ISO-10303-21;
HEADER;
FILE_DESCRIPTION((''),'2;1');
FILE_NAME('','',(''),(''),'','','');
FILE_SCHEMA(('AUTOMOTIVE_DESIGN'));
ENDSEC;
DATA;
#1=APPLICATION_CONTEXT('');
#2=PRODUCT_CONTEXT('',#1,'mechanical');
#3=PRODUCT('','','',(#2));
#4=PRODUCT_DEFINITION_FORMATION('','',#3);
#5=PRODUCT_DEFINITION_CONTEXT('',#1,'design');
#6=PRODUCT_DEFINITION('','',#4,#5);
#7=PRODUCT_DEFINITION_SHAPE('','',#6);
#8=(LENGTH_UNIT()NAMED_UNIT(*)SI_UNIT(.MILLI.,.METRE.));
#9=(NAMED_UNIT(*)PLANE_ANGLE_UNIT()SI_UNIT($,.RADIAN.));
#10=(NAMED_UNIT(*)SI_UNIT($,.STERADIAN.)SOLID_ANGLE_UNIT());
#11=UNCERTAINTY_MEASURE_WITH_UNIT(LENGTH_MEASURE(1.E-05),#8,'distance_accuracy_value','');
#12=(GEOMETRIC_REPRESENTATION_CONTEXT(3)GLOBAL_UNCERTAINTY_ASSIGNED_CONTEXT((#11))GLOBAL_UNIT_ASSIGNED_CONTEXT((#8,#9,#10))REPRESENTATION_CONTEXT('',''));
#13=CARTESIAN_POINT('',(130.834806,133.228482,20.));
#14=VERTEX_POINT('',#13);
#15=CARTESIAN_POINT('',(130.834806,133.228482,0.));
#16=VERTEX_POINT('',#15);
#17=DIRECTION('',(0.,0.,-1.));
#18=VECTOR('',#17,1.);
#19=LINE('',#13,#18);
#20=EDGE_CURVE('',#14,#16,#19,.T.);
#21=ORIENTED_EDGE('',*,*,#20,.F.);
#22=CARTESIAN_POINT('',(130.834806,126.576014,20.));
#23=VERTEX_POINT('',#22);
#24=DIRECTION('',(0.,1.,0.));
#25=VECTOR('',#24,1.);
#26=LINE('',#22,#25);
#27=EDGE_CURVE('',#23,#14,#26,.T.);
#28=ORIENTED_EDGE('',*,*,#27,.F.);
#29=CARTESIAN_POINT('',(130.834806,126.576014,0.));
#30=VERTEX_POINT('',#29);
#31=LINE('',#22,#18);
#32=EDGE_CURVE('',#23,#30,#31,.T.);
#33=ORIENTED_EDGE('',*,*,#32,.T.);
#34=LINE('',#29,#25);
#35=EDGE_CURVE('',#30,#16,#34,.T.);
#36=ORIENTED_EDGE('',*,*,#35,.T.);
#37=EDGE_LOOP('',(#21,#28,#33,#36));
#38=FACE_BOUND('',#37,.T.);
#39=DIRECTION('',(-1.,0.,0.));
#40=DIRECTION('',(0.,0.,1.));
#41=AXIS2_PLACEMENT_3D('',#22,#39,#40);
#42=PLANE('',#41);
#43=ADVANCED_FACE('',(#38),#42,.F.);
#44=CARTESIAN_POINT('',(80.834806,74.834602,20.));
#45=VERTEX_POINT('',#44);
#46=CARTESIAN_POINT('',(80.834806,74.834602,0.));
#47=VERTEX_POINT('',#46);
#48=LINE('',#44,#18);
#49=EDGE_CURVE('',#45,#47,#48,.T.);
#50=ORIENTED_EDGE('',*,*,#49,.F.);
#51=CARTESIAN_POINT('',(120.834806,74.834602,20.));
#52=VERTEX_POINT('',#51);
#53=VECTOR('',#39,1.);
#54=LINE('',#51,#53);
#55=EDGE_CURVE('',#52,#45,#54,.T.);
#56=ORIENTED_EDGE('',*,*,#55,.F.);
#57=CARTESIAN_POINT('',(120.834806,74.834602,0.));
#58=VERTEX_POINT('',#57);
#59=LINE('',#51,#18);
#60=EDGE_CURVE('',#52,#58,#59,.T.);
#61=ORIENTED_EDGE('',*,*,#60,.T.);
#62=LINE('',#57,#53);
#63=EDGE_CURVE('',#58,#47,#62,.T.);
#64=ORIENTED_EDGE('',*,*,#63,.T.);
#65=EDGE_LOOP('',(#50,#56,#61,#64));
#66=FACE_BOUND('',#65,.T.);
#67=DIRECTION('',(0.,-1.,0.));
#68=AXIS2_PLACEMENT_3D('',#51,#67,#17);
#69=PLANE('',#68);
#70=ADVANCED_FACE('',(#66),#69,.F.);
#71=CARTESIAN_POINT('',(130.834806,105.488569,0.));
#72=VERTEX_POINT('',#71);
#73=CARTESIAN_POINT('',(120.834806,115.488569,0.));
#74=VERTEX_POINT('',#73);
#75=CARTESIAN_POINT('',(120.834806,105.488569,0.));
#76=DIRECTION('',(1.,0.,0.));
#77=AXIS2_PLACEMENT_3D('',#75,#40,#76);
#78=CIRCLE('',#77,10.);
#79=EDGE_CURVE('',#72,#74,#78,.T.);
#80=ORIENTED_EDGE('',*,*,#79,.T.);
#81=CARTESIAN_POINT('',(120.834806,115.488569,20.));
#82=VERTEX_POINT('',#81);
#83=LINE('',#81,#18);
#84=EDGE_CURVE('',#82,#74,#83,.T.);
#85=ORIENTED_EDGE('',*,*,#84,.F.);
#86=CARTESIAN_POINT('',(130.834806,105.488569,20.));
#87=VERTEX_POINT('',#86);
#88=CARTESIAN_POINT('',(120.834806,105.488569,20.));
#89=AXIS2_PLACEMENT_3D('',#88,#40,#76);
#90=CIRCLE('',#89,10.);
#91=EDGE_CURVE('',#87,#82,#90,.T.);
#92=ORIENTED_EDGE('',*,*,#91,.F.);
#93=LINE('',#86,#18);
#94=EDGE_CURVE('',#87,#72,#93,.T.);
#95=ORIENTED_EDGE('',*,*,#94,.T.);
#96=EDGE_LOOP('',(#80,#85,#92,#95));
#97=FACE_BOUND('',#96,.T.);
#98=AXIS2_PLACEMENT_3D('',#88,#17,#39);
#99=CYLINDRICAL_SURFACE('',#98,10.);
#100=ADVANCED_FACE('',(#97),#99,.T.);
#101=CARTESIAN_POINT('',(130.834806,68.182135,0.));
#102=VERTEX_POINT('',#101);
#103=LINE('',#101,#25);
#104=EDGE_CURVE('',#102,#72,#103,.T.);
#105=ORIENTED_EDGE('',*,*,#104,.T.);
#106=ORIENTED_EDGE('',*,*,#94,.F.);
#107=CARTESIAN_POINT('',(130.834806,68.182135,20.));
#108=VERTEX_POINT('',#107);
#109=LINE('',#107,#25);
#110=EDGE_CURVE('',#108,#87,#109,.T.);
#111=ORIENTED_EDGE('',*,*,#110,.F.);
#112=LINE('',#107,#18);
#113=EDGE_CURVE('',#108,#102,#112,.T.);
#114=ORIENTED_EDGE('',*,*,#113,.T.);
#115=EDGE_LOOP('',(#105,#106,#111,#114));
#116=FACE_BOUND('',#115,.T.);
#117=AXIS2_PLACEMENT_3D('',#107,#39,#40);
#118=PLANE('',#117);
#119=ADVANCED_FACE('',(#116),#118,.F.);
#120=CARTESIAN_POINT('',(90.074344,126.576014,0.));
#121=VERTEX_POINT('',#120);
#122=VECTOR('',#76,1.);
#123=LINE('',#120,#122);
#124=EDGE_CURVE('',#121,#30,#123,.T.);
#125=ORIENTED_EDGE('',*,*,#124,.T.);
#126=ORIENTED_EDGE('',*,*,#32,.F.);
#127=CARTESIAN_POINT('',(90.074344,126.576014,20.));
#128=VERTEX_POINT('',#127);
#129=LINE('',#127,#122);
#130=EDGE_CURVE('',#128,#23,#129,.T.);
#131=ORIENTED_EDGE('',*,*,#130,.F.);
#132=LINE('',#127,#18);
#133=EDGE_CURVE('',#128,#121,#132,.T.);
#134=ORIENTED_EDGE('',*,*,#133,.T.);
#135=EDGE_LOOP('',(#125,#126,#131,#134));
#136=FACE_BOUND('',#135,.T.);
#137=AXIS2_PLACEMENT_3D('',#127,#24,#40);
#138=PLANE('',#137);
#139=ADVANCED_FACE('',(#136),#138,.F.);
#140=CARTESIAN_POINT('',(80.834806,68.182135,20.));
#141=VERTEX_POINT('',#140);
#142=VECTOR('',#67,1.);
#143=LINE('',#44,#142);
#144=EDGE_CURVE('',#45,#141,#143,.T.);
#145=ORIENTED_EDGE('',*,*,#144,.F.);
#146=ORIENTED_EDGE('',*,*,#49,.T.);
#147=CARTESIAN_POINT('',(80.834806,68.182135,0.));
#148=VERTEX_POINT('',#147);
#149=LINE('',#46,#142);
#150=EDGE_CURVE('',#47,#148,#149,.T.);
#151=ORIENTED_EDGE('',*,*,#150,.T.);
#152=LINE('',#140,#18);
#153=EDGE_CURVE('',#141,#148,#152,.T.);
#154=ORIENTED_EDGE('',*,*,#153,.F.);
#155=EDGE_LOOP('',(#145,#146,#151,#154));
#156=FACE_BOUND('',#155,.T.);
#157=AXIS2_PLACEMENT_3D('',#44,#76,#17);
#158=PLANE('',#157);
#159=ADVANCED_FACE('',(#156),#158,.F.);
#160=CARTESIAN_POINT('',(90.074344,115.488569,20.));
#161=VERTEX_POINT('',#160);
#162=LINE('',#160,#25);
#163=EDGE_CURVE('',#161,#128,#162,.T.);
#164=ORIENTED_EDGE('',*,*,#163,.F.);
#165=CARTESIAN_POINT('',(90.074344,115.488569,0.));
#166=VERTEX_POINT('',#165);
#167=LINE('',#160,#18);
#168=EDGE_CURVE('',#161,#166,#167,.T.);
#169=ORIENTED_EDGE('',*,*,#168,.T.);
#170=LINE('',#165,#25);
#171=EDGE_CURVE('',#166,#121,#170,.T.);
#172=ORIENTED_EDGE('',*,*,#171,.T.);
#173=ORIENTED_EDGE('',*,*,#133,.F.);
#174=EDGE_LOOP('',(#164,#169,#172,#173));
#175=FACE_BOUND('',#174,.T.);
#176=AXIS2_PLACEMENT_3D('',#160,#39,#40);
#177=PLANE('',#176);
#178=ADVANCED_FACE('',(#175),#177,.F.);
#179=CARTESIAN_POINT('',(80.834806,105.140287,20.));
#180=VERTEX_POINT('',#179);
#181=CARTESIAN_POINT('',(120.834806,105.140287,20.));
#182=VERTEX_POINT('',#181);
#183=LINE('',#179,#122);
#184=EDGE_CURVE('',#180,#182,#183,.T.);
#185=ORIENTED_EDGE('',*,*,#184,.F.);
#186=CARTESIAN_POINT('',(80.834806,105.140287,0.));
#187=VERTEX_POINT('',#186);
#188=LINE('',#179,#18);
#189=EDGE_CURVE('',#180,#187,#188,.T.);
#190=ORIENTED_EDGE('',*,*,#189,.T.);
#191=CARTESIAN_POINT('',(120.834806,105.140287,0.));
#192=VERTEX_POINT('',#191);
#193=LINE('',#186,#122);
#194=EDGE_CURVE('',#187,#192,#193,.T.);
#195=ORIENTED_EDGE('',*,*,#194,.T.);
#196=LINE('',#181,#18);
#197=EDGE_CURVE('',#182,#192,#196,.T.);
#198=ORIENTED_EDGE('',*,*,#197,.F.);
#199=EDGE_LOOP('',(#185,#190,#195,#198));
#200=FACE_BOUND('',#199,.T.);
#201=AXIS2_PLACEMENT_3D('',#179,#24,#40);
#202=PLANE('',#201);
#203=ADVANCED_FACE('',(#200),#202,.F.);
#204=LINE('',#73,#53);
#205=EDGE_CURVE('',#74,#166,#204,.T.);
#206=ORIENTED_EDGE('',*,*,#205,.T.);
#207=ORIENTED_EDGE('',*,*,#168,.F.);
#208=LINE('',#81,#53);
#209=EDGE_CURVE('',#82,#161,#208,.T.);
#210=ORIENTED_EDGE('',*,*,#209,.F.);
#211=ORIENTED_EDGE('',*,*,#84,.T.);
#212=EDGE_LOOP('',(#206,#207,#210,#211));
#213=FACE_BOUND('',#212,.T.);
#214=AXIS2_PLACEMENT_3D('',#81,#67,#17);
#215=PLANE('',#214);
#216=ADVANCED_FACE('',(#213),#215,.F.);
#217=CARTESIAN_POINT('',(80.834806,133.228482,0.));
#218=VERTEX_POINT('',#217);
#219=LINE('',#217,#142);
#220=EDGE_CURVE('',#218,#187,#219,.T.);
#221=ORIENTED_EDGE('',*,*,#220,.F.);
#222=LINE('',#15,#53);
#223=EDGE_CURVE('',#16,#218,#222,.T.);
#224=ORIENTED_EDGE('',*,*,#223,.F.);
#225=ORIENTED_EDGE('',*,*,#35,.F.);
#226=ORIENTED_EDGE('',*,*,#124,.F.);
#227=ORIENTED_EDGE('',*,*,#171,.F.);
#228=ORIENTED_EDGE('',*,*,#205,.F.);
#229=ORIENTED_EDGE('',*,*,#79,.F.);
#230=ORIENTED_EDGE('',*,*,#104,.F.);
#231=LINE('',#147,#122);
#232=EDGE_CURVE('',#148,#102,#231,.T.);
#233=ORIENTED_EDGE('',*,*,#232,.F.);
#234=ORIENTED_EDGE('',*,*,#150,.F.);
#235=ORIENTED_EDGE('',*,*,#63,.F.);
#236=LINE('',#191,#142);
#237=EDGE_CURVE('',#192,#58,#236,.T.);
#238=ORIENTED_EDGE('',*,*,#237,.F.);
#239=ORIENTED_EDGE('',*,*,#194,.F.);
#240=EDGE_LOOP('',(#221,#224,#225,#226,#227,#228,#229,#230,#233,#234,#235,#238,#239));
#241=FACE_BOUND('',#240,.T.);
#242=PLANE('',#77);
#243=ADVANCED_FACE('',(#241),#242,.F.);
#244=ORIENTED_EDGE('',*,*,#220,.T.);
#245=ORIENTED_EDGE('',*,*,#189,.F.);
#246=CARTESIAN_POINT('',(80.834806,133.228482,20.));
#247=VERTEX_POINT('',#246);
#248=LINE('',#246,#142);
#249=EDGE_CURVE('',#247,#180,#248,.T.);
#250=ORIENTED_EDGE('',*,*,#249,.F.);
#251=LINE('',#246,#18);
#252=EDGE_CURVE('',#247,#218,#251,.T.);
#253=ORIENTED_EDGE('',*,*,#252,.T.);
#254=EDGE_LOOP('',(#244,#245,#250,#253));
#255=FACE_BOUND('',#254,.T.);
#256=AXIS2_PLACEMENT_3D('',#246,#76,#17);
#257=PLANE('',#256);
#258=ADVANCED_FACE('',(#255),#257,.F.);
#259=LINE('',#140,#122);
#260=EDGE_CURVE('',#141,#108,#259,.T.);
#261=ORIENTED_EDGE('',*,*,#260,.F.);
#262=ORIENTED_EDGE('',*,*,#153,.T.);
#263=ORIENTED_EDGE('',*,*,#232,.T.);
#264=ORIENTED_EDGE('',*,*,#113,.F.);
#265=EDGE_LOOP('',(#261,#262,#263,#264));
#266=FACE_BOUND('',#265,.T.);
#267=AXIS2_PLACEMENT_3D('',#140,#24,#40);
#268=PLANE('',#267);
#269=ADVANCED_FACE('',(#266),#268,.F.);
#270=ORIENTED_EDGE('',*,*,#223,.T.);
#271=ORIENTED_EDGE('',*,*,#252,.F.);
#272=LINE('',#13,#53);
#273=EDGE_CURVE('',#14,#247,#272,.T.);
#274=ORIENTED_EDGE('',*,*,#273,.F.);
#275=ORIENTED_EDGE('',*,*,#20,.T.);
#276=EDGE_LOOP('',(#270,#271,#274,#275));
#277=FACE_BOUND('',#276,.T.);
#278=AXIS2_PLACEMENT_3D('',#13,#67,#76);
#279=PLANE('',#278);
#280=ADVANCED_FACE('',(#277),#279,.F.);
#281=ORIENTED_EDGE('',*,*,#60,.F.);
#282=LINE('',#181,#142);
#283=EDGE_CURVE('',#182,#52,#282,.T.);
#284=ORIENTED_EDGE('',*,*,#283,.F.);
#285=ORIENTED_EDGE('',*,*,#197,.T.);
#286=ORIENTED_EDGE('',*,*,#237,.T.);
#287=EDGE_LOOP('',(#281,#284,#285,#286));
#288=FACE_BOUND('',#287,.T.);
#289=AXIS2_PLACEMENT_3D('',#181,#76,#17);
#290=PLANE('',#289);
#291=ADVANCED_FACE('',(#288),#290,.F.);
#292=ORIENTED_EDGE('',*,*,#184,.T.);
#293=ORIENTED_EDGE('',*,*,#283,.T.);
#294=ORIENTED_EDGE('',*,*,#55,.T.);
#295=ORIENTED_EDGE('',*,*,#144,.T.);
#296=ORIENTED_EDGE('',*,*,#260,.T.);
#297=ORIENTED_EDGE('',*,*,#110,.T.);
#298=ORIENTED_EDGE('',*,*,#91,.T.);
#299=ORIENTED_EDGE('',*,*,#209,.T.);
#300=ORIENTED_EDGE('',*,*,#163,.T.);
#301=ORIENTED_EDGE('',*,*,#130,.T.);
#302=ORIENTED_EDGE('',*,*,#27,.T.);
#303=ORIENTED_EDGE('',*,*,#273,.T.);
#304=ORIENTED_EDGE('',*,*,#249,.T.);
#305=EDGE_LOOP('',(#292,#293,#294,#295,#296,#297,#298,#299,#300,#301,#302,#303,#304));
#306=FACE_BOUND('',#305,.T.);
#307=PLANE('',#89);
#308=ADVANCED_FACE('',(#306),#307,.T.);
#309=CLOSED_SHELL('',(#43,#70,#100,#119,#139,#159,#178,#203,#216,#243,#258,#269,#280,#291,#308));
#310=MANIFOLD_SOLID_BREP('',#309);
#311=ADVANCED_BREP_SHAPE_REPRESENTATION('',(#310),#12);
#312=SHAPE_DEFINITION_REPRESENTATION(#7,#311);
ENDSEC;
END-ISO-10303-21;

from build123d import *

# Parameters (mm, degrees)
BOSS_EXTRUDE1_DEPTH = 20


with BuildPart() as part:
    # Sketch1 → Boss-Extrude1 (new body)
    with BuildSketch(Plane.XY):
        with BuildLine():
            Line((130.834806192, 133.228481614), (80.834806192, 133.228481614))
            Line((80.834806192, 133.228481614), (80.834806192, 105.140286594))
            Line((80.834806192, 105.140286594), (120.834806192, 105.140286594))
            Line((120.834806192, 105.140286594), (120.834806192, 74.834602493))
            Line((120.834806192, 74.834602493), (80.834806192, 74.834602493))
            Line((80.834806192, 74.834602493), (80.834806192, 68.182135251))
            Line((80.834806192, 68.182135251), (130.834806192, 68.182135251))
            Line((130.834806192, 68.182135251), (130.834806192, 105.488568969))
            ThreePointArc((130.834806192, 105.488568969), (127.905874004, 112.559636781), (120.834806192, 115.488568969))
            Line((120.834806192, 115.488568969), (90.074344028, 115.488568969))
            Line((90.074344028, 115.488568969), (90.074344028, 126.576014372))
            Line((90.074344028, 126.576014372), (130.834806192, 126.576014372))
            Line((130.834806192, 126.576014372), (130.834806192, 133.228481614))
        make_face()
    extrude(amount=BOSS_EXTRUDE1_DEPTH)


solid = part.part
